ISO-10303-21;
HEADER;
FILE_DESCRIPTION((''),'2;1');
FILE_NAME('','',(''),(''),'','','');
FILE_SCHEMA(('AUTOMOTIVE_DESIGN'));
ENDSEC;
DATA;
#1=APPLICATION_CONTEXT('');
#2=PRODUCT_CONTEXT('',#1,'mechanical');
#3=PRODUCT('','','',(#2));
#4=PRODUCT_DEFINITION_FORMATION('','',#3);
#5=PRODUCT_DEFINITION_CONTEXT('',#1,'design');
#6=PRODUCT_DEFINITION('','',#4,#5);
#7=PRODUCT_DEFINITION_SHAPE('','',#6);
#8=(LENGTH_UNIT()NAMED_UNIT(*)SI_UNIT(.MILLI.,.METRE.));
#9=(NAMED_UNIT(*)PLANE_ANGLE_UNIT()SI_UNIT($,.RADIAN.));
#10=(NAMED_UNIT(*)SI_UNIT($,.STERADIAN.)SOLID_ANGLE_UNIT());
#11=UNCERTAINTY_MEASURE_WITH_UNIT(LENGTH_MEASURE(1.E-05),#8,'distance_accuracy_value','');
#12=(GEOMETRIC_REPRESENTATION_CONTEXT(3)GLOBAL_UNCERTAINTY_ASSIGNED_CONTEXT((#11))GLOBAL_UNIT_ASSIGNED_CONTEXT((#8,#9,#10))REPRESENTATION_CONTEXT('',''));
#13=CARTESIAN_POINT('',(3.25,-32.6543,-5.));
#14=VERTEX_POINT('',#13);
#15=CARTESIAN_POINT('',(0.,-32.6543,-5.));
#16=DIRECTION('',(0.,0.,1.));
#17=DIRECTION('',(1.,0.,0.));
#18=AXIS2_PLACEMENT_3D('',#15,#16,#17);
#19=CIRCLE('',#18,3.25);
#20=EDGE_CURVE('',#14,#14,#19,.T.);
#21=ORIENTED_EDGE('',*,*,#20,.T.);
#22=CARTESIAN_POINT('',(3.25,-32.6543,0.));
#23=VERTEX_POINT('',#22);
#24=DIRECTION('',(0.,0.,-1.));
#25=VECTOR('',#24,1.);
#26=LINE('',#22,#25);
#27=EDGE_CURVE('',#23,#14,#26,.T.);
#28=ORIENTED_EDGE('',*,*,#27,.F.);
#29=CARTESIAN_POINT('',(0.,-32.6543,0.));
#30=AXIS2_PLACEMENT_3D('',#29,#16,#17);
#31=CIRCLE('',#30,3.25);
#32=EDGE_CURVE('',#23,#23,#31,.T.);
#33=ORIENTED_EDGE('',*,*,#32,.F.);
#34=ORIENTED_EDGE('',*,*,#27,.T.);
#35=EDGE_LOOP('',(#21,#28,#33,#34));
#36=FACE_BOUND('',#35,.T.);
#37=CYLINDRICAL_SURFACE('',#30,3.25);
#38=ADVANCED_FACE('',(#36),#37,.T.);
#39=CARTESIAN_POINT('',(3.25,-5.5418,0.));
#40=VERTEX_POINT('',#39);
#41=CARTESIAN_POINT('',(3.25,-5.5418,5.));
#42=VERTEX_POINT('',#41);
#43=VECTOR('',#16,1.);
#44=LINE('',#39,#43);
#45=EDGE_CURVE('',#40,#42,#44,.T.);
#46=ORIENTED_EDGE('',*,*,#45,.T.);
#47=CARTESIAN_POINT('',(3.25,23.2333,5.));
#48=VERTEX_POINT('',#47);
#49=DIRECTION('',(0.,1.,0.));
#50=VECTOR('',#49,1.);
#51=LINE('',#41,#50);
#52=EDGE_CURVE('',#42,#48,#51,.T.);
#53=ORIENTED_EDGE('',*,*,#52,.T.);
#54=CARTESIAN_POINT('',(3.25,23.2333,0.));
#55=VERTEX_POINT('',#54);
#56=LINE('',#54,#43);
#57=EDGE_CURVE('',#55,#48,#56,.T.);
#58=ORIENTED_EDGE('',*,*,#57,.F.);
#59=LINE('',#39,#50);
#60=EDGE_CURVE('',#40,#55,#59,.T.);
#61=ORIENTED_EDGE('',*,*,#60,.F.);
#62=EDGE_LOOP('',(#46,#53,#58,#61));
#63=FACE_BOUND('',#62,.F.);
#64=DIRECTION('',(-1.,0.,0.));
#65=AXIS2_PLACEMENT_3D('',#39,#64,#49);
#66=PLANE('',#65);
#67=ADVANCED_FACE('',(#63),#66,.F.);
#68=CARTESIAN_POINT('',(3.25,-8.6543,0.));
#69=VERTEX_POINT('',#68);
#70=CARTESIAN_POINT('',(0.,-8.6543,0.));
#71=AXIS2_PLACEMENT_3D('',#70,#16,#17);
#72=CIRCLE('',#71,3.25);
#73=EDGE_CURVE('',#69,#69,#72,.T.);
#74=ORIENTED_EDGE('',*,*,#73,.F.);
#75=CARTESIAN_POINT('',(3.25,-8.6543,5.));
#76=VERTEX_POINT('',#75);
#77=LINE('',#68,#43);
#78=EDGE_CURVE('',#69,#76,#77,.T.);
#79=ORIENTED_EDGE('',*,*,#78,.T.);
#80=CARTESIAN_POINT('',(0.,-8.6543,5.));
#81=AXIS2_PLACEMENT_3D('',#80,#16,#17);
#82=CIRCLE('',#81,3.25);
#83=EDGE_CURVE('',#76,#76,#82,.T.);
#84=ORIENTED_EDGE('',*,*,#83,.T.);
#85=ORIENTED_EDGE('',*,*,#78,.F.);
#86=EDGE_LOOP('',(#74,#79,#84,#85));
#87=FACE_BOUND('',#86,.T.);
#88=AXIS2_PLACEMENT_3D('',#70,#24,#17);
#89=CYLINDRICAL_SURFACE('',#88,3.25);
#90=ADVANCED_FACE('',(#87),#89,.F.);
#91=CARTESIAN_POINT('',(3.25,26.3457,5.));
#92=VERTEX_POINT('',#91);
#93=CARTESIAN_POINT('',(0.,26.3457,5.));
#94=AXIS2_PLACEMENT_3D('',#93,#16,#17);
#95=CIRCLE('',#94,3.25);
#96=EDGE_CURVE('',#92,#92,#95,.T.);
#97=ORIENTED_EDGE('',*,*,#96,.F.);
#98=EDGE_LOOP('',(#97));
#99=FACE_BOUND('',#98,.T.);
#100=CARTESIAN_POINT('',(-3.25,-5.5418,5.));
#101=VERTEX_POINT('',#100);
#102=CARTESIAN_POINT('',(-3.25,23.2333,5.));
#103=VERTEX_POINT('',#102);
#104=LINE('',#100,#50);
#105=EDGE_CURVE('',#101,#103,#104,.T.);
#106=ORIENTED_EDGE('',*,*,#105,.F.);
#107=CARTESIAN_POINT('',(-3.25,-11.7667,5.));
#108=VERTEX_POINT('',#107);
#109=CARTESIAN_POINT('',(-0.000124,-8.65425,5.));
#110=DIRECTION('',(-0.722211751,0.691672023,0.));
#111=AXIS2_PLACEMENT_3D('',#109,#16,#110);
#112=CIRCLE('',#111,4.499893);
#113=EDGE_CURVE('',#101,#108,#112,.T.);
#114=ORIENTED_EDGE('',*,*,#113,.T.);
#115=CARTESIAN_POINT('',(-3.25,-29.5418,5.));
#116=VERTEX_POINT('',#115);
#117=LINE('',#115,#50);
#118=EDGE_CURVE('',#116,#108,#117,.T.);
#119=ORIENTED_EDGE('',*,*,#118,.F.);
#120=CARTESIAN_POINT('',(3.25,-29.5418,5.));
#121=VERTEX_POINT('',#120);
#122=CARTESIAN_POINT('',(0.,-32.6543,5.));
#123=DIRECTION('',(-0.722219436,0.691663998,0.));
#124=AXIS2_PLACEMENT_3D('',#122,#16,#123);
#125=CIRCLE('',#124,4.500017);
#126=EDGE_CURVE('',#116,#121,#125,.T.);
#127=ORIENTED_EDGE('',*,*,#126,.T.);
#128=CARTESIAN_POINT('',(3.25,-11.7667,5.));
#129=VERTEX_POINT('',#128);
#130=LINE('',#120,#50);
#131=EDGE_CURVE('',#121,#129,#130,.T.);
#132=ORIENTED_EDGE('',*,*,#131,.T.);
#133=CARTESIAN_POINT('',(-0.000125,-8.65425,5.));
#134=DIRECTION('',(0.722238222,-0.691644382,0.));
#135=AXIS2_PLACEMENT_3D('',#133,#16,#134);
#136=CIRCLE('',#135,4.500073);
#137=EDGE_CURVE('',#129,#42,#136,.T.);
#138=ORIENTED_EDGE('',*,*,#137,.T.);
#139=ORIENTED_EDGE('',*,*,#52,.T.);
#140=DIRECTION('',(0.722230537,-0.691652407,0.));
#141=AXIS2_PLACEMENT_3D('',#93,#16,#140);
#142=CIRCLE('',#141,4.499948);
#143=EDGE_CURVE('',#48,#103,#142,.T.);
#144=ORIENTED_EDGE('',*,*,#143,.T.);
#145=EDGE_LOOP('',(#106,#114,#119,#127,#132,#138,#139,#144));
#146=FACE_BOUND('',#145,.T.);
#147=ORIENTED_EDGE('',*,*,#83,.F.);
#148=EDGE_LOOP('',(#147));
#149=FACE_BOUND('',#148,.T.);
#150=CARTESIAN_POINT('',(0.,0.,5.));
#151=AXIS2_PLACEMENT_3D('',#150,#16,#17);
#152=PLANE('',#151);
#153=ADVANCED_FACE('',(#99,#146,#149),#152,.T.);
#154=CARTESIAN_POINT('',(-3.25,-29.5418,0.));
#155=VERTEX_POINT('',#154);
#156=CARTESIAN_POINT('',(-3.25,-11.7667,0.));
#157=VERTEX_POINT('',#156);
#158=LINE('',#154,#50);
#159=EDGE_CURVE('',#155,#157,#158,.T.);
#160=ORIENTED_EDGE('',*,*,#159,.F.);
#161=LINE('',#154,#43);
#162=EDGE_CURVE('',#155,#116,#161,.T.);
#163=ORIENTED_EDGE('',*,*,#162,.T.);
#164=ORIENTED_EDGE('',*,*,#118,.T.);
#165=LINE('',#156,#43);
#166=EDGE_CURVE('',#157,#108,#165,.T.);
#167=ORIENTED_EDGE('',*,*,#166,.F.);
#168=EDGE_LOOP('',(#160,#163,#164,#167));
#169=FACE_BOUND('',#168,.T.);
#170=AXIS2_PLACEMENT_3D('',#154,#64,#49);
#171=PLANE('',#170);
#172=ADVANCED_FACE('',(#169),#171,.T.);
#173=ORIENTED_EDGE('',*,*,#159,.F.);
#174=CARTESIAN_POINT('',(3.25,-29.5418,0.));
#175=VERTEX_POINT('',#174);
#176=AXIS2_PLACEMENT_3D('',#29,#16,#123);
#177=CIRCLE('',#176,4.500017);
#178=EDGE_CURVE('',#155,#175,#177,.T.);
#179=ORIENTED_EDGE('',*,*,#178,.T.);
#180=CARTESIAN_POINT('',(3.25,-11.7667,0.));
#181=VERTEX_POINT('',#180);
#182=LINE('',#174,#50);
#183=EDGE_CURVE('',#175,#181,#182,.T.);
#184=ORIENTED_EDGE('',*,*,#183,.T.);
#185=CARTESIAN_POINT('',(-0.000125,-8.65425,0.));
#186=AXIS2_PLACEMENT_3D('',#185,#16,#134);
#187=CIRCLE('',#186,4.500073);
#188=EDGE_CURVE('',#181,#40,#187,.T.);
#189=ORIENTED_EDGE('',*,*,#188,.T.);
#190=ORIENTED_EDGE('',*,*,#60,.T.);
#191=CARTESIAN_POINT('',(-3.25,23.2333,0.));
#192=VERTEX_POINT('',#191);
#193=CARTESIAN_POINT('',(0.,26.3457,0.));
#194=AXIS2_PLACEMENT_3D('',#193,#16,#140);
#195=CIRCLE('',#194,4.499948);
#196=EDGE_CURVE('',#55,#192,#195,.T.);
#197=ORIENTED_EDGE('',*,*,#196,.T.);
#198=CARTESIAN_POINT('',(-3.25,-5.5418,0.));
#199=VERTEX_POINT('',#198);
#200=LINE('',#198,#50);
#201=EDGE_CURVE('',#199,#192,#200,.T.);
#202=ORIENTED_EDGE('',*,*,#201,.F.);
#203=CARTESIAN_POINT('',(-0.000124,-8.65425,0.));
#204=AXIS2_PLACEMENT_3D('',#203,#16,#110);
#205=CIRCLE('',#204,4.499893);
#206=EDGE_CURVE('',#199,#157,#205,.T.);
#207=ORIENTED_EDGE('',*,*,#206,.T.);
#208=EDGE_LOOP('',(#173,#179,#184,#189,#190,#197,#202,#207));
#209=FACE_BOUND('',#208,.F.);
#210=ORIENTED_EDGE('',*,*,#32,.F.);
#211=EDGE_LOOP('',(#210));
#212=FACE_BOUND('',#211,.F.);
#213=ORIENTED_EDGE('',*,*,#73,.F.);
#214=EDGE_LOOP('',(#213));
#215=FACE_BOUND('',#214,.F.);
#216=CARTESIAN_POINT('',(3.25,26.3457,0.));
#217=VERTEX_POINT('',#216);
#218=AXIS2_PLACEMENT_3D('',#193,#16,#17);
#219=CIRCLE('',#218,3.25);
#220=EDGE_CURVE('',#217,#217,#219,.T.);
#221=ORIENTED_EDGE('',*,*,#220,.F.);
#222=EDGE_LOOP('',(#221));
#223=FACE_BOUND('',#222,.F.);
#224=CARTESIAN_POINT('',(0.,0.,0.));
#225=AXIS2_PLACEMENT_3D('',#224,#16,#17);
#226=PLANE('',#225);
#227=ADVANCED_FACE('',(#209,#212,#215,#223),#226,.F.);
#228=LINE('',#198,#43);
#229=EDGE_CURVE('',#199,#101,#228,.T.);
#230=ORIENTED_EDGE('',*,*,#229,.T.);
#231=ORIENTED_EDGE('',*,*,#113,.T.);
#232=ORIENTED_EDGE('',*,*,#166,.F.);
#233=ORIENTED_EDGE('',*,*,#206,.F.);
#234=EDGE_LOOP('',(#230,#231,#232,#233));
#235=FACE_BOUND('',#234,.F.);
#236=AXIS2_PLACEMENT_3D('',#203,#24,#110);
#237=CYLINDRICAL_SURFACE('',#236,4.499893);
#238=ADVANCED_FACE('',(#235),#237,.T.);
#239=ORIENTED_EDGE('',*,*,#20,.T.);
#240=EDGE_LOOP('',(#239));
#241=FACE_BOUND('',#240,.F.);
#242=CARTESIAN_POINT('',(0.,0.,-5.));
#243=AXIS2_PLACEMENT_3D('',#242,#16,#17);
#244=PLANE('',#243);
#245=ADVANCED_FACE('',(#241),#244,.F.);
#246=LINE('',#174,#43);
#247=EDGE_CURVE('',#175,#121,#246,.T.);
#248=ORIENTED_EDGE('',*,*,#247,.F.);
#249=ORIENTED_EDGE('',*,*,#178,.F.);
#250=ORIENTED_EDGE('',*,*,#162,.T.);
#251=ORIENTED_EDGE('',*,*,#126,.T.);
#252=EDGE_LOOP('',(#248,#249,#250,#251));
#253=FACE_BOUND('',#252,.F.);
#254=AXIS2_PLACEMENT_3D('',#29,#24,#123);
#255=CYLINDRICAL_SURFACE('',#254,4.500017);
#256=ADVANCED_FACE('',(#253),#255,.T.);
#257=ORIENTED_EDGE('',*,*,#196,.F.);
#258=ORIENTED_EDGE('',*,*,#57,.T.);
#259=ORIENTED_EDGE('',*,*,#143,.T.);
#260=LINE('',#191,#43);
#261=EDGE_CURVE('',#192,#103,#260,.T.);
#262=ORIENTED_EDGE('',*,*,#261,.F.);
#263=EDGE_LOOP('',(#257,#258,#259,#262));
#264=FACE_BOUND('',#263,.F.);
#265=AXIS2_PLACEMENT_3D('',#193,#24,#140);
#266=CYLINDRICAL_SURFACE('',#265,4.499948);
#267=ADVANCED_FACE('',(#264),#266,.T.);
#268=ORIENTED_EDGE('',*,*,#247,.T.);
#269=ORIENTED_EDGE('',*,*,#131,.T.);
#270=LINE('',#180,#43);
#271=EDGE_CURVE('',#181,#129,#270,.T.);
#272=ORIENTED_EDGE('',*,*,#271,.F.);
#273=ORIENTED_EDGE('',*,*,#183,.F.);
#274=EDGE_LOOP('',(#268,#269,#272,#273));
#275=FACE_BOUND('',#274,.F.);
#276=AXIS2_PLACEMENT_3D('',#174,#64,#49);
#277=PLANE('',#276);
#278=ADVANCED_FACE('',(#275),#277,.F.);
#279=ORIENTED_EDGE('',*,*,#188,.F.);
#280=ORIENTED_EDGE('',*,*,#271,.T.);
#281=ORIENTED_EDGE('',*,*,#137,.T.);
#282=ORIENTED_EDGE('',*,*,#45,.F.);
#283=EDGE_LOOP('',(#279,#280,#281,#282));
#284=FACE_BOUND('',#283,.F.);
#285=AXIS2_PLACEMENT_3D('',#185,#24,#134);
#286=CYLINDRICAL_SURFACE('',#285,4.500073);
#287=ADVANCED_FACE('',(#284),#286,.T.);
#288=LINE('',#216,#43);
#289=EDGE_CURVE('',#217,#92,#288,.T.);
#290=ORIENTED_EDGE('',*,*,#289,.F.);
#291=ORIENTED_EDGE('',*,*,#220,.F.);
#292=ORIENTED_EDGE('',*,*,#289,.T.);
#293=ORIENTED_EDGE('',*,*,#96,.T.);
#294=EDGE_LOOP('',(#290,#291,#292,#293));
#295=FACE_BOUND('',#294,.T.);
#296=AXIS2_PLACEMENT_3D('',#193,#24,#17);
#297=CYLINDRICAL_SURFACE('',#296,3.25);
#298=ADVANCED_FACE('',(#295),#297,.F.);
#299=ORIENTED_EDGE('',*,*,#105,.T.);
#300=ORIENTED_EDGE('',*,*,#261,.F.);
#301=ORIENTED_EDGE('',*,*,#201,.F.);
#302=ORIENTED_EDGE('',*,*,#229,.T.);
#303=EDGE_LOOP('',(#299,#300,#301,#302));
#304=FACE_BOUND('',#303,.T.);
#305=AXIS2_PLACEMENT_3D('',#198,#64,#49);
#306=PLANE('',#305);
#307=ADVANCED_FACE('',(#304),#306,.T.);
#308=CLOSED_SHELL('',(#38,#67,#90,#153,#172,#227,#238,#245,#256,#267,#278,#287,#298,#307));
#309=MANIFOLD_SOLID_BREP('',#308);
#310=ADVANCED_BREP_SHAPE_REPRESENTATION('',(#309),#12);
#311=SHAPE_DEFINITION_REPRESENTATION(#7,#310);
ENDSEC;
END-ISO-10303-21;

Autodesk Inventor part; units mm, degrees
ref_plane "YZ Plane" through (0, 0, 0) normal (1, 0, 0) x (0, 1, 0)
ref_plane "XZ Plane" through (0, 0, 0) normal (0, 1, 0) x (-1, 0, 0)
ref_plane "XY Plane" through (0, 0, 0) normal (0, 0, 1) x (1, 0, 0)
sketch "Sketch2" plane through (0, 0, 0) normal (0, 0, 1) x (1, 0, 0)
  circle A0 centre (0, -32.6543) radius 3.25
  circle A1 centre (0, 26.3457) radius 3.25
  circle A2 centre (0, -8.6543) radius 3.25
  line L0 (-3.25, -5.5418) -> (-3.25, 23.2333)
  arc A3 (3.25, 23.2333) -> (-3.25, 23.2333) centre (0, 26.3457) ccw
  arc A4 (3.25, -11.7667) -> (3.25, -5.5418) centre (0, -8.6543) ccw
  arc A5 (-3.25, -29.5418) -> (3.25, -29.5418) centre (0, -32.6543) ccw
  line L1 (-3.25, -29.5418) -> (-3.25, -11.7667)
  arc A6 (-3.25, -5.5418) -> (-3.25, -11.7667) centre (0, -8.6543) ccw
  line L2 (0, 47.7105) -> (0, -62.3205) construction
  line L3 (3.25, -5.5418) -> (3.25, 23.2333)
  line L4 (3.25, -29.5418) -> (3.25, -11.7667)
  point P0 (0, 0)
  dimension "d4" = 6.5
  dimension "d5" = 24
  dimension "d6" = 35
  dimension "d8" = 9
  dimension "d9" = 6.5
extrude "Extrusion1" add sketch "Sketch2" along normal blind 5 contours A0 | L0 A3 L3 A4 L4 A5 L1 A6
extrude "Extrusion2" add sketch "Sketch2" against normal blind 5 contours A0
equation "\"d4\" = R"
equation "\"d8\" = R1"
equation "\"d9\" = width"
equation "\"d0\" = thickness"
equation "\"d2\" = thickness"
equation "\"R\" = 6.5"
equation "\"thickness\" = 5"
equation "\"width\" = 6.5"
equation "\"R1\" = 9"
